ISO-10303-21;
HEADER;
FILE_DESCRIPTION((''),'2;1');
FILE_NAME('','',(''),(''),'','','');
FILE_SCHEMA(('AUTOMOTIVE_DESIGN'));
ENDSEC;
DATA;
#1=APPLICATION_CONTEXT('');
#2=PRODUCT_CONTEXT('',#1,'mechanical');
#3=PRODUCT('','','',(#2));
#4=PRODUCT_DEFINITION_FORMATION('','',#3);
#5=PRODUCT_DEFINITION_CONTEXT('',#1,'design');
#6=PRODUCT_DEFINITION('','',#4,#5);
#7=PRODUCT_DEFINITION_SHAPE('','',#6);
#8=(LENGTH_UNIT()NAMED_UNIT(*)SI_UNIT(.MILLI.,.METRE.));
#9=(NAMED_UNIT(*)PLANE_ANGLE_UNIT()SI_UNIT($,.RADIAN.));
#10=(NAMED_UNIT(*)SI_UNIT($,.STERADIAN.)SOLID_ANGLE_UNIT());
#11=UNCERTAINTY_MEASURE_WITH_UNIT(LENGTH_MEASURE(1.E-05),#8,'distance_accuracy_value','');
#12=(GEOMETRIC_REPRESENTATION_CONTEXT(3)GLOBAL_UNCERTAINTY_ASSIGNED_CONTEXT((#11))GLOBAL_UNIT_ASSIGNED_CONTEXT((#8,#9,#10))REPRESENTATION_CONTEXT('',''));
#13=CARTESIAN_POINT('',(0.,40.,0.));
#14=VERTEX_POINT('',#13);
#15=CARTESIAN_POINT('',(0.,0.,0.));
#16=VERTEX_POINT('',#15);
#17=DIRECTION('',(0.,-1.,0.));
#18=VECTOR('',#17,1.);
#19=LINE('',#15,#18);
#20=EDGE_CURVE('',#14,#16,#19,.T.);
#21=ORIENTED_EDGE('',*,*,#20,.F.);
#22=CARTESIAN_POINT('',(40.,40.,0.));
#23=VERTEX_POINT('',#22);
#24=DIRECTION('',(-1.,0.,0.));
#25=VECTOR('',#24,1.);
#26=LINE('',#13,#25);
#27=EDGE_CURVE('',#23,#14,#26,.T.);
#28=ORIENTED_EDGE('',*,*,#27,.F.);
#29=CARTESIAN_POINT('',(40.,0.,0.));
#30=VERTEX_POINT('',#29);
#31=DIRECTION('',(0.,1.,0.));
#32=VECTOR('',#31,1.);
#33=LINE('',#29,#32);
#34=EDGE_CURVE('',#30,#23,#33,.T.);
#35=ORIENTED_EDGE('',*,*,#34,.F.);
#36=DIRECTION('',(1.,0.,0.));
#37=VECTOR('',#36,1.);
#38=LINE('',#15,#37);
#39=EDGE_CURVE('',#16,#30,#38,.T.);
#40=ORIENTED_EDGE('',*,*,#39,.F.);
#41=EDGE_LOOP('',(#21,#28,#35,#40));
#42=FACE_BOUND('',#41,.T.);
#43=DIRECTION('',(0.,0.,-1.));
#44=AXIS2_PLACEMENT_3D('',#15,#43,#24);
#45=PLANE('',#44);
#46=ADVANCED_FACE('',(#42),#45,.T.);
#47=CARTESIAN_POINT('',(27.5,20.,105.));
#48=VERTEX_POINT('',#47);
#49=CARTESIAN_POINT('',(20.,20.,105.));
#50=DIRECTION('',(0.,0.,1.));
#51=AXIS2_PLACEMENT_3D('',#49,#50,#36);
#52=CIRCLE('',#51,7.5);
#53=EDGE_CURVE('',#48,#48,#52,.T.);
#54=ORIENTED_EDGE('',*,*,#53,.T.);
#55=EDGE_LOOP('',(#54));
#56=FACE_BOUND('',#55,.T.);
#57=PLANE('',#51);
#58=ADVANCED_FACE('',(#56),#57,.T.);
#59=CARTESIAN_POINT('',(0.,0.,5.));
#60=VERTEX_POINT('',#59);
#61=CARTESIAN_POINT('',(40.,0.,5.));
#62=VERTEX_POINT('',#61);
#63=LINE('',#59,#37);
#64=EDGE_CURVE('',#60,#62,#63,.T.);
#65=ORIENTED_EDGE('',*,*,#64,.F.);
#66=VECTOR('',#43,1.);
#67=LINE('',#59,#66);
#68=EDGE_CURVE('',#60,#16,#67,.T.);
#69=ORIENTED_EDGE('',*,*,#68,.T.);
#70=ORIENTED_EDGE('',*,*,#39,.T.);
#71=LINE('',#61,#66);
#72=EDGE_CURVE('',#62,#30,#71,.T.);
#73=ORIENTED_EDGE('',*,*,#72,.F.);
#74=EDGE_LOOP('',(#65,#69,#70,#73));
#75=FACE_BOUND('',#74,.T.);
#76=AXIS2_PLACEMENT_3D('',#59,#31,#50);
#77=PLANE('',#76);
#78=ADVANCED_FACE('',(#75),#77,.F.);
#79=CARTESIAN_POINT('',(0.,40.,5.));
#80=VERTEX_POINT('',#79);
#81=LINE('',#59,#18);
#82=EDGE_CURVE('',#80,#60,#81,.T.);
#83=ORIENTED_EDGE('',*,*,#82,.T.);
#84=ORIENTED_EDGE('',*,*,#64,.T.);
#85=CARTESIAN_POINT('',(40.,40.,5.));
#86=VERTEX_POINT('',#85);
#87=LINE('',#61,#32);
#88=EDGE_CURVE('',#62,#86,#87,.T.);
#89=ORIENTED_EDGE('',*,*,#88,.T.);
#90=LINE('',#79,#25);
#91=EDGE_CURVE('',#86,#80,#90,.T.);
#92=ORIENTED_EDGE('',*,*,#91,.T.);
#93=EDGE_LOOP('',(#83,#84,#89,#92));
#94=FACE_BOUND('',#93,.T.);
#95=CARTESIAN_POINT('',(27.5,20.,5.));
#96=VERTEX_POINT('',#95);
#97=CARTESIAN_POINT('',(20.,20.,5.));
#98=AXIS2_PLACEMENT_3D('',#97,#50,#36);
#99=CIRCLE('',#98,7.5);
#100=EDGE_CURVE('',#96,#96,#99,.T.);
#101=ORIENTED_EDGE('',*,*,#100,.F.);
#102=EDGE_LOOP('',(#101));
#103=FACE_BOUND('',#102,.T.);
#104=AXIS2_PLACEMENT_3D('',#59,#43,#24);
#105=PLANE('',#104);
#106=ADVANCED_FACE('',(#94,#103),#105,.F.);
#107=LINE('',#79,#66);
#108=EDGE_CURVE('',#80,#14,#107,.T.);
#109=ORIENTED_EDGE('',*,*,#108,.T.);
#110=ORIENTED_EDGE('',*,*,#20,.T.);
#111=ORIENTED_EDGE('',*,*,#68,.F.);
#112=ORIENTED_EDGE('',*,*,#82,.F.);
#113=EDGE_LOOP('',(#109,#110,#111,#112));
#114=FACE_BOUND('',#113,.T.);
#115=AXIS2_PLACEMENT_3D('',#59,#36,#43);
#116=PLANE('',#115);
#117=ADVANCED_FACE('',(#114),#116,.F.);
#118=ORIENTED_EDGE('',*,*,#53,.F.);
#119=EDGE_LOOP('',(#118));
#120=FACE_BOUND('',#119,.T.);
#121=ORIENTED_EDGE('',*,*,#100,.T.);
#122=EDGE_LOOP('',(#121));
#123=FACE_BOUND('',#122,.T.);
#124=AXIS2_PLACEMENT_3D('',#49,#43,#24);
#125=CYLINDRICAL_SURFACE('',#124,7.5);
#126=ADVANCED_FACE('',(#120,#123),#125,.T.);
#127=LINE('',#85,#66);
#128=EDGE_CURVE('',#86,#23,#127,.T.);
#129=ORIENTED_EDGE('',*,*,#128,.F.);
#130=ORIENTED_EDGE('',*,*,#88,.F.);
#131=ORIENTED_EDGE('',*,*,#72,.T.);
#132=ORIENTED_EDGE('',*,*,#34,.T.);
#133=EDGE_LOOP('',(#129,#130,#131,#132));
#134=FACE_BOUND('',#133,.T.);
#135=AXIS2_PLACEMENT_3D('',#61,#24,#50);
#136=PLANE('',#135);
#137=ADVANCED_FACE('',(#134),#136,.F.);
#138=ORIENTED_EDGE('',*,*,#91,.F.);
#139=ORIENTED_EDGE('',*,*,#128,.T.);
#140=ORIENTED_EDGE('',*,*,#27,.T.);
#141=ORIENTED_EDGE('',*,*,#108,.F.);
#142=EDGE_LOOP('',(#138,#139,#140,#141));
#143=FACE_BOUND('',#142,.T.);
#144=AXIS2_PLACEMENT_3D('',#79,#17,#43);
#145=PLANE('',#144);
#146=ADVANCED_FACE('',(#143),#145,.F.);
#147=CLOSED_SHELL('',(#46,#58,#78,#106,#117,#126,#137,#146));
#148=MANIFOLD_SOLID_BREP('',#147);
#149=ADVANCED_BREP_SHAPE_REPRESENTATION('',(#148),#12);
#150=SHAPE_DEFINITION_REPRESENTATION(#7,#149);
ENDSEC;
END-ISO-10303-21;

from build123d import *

# Parameters (mm, degrees)
ESBO_O1_W                = 40
ESBO_O1_H                = 40
RESSALTO_EXTRUS_O1_DEPTH = 5
ESBO_O2_R                = 7.5
RESSALTO_EXTRUS_O2_DEPTH = 100


with BuildPart() as part:
    # Esboço1 → Ressalto-extrusão1 (new body)
    with BuildSketch(Plane.XY):
        with Locations((20, 20)):
            Rectangle(ESBO_O1_W, ESBO_O1_H)
    extrude(amount=RESSALTO_EXTRUS_O1_DEPTH)

    # Esboço2 → Ressalto-extrusão2 (add)
    with BuildSketch(Plane.XY.offset(5)):
        with Locations((20, 20)):
            Circle(ESBO_O2_R)
    extrude(amount=RESSALTO_EXTRUS_O2_DEPTH)


solid = part.part
